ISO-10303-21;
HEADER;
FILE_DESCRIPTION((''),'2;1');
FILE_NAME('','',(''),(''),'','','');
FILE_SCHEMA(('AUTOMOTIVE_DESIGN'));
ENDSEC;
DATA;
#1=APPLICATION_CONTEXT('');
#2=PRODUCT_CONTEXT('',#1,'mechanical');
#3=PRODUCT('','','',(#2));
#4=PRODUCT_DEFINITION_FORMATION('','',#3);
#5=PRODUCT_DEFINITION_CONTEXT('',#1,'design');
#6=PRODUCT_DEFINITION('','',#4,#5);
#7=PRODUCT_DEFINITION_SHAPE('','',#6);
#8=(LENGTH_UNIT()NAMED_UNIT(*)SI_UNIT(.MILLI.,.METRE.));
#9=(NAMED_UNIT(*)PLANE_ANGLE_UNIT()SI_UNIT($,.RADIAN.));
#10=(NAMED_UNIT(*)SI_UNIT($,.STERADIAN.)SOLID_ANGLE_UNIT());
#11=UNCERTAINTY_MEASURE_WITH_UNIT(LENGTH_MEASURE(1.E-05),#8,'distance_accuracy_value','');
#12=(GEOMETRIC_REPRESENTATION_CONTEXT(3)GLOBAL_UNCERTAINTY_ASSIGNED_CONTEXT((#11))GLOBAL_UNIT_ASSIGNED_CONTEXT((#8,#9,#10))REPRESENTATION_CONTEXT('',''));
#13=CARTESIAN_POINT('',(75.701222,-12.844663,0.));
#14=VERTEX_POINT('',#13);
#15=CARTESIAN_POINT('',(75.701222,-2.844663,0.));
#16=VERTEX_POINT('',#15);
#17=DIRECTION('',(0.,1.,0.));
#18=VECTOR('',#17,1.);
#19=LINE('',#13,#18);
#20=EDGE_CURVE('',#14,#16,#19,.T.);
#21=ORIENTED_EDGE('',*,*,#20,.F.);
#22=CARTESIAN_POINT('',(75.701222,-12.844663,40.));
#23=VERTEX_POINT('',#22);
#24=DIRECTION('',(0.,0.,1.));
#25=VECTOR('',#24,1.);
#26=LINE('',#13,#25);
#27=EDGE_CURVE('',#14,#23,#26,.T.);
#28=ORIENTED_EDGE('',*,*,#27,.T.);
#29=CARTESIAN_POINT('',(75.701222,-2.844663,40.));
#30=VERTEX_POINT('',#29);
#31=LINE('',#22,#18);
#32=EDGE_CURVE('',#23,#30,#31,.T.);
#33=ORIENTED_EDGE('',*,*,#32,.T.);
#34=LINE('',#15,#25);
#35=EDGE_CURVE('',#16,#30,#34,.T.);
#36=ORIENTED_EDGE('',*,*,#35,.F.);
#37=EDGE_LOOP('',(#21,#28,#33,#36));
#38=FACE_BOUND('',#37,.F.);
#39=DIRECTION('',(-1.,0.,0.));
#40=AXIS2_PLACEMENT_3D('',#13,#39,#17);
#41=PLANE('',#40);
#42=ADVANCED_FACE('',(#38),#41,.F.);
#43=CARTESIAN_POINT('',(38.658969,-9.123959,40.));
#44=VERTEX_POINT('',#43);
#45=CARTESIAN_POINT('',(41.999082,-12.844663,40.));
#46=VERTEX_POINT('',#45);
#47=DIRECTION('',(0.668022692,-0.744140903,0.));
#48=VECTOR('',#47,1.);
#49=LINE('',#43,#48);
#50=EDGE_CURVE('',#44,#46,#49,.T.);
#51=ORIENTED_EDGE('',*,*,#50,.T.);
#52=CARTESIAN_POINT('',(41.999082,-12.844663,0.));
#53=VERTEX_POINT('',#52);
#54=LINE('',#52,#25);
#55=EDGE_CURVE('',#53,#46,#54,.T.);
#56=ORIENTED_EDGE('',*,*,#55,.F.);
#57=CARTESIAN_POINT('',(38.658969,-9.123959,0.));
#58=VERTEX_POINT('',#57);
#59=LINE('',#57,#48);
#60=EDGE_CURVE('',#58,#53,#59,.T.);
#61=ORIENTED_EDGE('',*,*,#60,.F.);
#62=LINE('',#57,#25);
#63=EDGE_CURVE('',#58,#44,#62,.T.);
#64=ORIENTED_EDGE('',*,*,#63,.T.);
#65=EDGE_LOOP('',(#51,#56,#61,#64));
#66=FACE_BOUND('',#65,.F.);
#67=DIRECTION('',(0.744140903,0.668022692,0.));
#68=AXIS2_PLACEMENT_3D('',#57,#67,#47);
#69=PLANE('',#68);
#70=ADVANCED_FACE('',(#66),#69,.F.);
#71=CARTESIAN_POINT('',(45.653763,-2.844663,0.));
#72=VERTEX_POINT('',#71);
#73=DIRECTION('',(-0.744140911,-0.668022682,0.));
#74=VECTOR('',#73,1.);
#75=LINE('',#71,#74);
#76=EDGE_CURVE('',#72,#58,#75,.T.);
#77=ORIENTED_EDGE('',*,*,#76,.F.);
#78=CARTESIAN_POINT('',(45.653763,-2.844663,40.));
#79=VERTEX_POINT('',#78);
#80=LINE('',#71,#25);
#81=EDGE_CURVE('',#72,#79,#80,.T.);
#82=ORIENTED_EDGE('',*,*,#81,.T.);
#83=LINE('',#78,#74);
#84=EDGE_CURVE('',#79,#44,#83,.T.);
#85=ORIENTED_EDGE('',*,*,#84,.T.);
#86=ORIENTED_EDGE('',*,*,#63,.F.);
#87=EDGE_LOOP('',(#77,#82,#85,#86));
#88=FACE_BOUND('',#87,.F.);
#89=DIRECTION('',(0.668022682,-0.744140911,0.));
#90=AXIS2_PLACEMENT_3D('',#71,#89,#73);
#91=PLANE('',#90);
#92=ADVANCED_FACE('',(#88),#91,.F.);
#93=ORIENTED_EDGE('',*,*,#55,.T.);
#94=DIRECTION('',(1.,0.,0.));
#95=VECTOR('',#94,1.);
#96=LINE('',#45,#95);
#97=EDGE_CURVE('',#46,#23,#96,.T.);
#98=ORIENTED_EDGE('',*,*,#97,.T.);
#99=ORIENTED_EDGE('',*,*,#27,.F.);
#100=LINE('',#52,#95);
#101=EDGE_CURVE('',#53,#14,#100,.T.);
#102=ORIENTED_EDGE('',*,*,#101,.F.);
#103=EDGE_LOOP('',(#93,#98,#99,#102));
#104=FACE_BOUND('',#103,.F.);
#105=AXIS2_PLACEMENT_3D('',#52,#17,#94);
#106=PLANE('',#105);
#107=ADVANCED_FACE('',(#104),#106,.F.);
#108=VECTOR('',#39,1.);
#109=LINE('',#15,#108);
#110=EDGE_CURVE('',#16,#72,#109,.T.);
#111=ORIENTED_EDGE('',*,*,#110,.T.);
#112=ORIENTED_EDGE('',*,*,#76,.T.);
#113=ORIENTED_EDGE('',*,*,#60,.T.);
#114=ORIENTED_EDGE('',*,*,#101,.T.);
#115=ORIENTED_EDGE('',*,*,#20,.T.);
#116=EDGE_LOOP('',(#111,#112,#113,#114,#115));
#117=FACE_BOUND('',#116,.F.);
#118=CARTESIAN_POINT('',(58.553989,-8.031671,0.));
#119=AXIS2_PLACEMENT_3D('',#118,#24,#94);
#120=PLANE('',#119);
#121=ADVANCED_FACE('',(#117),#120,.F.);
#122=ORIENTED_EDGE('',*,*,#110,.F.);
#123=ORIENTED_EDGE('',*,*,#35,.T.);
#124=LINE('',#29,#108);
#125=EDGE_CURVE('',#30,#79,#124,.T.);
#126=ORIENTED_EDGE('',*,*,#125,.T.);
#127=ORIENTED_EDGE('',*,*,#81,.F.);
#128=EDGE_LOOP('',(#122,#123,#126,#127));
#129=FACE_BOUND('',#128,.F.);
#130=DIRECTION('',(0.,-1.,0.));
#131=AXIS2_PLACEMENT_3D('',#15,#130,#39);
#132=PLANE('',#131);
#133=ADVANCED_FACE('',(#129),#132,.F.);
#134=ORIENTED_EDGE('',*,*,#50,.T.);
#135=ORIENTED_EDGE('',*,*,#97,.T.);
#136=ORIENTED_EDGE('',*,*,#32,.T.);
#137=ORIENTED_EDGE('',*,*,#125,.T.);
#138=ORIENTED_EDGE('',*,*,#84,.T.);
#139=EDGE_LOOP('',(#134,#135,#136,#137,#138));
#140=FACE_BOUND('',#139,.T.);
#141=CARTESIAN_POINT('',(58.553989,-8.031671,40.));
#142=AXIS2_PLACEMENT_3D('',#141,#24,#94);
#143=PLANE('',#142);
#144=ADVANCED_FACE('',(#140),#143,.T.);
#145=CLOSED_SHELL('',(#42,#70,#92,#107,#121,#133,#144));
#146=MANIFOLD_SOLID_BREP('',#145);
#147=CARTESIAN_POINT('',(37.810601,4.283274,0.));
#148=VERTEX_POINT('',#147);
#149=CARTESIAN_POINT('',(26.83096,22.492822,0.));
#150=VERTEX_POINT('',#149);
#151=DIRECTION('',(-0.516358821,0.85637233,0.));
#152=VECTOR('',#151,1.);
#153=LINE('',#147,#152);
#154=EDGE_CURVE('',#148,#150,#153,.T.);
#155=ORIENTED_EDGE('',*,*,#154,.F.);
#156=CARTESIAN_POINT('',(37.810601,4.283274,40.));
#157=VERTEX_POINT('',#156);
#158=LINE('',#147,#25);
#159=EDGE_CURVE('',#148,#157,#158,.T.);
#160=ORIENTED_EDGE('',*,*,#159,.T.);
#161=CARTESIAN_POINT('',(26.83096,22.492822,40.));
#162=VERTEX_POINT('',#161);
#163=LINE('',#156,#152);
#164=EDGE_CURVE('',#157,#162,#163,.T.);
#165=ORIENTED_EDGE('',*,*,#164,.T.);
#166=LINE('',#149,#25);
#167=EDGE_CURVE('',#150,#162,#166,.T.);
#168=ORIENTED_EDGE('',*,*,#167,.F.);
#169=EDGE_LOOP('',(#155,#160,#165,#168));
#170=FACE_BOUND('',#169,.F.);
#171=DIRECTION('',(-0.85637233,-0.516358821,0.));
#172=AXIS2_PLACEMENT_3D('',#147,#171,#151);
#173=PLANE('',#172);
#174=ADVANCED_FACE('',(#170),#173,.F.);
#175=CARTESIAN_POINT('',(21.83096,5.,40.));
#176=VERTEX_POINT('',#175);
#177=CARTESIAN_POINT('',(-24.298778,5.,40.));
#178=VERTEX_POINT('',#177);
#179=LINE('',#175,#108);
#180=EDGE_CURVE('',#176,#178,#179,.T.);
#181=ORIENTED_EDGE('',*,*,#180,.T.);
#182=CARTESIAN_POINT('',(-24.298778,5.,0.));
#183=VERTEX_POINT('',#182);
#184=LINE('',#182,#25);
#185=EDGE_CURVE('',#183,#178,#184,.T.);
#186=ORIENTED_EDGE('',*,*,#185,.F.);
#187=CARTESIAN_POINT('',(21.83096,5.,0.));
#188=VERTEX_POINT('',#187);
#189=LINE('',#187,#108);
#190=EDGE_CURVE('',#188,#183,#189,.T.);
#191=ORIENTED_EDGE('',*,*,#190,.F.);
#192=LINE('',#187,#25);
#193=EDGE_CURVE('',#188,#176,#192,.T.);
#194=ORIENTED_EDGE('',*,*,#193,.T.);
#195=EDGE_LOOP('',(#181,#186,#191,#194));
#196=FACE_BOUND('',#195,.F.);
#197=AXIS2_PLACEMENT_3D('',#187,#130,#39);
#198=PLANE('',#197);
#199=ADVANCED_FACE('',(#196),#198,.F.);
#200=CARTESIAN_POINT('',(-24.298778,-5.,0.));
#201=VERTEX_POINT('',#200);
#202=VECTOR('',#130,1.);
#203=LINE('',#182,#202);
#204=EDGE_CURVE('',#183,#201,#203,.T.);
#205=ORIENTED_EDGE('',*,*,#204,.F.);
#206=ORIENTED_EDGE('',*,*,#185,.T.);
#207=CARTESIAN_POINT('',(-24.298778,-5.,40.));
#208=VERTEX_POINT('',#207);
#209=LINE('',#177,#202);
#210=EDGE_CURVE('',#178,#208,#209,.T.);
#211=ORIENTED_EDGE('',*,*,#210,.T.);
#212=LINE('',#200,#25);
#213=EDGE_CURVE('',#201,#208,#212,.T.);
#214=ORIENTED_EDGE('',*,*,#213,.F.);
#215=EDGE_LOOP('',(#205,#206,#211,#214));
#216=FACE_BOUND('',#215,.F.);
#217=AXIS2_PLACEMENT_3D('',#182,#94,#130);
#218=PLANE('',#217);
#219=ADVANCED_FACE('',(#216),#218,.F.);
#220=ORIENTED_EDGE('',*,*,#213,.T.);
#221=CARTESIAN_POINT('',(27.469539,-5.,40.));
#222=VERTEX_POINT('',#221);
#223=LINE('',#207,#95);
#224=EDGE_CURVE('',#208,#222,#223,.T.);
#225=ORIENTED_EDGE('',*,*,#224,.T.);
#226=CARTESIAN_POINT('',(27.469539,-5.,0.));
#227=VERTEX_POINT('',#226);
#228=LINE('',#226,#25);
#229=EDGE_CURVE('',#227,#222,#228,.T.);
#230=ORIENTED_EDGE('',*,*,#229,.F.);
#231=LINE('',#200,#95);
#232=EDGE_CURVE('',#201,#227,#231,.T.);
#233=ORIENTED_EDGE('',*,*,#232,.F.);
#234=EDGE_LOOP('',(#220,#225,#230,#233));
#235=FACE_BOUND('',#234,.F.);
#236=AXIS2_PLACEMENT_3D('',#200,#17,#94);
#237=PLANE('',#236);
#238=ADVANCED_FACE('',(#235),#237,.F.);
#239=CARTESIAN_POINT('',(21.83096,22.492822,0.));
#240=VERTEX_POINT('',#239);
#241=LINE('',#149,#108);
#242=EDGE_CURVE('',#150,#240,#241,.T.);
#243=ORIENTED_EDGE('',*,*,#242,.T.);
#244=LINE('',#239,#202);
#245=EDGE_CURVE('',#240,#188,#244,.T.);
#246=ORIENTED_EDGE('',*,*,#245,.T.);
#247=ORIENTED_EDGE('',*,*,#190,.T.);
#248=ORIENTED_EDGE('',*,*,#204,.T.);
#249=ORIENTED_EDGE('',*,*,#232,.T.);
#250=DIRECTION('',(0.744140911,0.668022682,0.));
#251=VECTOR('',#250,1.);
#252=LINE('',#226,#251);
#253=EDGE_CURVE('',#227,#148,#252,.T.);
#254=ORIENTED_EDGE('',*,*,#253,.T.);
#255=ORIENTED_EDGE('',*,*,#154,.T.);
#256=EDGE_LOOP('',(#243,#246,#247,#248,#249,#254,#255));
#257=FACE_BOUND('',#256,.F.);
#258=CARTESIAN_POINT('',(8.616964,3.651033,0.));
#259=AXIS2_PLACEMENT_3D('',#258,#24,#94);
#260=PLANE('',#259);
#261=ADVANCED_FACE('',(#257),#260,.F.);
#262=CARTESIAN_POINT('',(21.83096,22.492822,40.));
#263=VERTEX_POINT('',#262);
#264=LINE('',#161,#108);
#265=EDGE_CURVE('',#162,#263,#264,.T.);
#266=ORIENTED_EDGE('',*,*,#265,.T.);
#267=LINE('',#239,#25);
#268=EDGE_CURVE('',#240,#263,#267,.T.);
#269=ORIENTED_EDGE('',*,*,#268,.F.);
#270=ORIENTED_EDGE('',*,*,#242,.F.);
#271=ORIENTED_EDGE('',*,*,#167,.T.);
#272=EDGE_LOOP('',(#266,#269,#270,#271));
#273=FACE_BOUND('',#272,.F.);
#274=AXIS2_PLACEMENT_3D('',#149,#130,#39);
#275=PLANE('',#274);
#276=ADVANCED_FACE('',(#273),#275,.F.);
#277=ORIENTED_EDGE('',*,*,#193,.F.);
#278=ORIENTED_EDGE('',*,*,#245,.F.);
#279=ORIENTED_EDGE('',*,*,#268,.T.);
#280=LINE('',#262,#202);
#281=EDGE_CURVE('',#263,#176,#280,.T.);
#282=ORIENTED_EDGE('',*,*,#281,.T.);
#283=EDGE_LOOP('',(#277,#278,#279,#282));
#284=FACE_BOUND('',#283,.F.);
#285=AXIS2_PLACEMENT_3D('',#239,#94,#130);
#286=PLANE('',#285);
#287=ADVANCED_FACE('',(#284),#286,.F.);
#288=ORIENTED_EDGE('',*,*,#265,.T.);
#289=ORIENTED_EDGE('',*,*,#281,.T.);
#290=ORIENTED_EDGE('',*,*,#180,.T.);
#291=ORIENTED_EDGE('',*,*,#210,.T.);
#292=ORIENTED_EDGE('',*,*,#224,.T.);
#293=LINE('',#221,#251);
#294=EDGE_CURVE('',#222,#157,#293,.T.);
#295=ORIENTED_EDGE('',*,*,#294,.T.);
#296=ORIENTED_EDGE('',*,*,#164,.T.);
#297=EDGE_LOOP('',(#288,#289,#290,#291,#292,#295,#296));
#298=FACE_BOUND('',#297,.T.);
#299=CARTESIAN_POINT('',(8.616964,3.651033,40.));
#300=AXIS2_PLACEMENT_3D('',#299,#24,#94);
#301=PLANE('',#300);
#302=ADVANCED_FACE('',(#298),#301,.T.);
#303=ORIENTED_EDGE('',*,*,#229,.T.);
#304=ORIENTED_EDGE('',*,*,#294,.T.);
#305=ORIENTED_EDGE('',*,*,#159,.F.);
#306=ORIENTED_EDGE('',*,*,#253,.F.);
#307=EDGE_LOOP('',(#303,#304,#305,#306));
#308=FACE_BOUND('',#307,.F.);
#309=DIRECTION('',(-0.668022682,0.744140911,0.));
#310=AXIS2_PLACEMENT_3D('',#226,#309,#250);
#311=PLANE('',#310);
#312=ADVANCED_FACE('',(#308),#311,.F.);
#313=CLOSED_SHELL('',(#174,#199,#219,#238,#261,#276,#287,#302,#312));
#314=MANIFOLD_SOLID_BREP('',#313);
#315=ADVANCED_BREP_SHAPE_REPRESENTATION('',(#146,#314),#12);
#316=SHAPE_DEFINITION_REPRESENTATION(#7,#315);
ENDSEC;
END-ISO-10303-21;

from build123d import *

# Parameters (mm, degrees)
F1_DEPTH = 40


with BuildPart() as f1:
    # F0 (on Top) → F1 (new body)
    with BuildSketch(Plane.XY):
        Polygon((21.83096, 5), (-24.298778, 5), (-24.298778, -5), (27.469539, -5), (37.810601, 4.283274), (26.83096, 22.492822), (21.83096, 22.492822), align=None)
        Polygon((75.701222, -12.844663), (75.701222, -2.844663), (45.653763, -2.844663), (38.658969, -9.123959), (41.999082, -12.844663), align=None)
    extrude(amount=F1_DEPTH)


solid = f1.part
